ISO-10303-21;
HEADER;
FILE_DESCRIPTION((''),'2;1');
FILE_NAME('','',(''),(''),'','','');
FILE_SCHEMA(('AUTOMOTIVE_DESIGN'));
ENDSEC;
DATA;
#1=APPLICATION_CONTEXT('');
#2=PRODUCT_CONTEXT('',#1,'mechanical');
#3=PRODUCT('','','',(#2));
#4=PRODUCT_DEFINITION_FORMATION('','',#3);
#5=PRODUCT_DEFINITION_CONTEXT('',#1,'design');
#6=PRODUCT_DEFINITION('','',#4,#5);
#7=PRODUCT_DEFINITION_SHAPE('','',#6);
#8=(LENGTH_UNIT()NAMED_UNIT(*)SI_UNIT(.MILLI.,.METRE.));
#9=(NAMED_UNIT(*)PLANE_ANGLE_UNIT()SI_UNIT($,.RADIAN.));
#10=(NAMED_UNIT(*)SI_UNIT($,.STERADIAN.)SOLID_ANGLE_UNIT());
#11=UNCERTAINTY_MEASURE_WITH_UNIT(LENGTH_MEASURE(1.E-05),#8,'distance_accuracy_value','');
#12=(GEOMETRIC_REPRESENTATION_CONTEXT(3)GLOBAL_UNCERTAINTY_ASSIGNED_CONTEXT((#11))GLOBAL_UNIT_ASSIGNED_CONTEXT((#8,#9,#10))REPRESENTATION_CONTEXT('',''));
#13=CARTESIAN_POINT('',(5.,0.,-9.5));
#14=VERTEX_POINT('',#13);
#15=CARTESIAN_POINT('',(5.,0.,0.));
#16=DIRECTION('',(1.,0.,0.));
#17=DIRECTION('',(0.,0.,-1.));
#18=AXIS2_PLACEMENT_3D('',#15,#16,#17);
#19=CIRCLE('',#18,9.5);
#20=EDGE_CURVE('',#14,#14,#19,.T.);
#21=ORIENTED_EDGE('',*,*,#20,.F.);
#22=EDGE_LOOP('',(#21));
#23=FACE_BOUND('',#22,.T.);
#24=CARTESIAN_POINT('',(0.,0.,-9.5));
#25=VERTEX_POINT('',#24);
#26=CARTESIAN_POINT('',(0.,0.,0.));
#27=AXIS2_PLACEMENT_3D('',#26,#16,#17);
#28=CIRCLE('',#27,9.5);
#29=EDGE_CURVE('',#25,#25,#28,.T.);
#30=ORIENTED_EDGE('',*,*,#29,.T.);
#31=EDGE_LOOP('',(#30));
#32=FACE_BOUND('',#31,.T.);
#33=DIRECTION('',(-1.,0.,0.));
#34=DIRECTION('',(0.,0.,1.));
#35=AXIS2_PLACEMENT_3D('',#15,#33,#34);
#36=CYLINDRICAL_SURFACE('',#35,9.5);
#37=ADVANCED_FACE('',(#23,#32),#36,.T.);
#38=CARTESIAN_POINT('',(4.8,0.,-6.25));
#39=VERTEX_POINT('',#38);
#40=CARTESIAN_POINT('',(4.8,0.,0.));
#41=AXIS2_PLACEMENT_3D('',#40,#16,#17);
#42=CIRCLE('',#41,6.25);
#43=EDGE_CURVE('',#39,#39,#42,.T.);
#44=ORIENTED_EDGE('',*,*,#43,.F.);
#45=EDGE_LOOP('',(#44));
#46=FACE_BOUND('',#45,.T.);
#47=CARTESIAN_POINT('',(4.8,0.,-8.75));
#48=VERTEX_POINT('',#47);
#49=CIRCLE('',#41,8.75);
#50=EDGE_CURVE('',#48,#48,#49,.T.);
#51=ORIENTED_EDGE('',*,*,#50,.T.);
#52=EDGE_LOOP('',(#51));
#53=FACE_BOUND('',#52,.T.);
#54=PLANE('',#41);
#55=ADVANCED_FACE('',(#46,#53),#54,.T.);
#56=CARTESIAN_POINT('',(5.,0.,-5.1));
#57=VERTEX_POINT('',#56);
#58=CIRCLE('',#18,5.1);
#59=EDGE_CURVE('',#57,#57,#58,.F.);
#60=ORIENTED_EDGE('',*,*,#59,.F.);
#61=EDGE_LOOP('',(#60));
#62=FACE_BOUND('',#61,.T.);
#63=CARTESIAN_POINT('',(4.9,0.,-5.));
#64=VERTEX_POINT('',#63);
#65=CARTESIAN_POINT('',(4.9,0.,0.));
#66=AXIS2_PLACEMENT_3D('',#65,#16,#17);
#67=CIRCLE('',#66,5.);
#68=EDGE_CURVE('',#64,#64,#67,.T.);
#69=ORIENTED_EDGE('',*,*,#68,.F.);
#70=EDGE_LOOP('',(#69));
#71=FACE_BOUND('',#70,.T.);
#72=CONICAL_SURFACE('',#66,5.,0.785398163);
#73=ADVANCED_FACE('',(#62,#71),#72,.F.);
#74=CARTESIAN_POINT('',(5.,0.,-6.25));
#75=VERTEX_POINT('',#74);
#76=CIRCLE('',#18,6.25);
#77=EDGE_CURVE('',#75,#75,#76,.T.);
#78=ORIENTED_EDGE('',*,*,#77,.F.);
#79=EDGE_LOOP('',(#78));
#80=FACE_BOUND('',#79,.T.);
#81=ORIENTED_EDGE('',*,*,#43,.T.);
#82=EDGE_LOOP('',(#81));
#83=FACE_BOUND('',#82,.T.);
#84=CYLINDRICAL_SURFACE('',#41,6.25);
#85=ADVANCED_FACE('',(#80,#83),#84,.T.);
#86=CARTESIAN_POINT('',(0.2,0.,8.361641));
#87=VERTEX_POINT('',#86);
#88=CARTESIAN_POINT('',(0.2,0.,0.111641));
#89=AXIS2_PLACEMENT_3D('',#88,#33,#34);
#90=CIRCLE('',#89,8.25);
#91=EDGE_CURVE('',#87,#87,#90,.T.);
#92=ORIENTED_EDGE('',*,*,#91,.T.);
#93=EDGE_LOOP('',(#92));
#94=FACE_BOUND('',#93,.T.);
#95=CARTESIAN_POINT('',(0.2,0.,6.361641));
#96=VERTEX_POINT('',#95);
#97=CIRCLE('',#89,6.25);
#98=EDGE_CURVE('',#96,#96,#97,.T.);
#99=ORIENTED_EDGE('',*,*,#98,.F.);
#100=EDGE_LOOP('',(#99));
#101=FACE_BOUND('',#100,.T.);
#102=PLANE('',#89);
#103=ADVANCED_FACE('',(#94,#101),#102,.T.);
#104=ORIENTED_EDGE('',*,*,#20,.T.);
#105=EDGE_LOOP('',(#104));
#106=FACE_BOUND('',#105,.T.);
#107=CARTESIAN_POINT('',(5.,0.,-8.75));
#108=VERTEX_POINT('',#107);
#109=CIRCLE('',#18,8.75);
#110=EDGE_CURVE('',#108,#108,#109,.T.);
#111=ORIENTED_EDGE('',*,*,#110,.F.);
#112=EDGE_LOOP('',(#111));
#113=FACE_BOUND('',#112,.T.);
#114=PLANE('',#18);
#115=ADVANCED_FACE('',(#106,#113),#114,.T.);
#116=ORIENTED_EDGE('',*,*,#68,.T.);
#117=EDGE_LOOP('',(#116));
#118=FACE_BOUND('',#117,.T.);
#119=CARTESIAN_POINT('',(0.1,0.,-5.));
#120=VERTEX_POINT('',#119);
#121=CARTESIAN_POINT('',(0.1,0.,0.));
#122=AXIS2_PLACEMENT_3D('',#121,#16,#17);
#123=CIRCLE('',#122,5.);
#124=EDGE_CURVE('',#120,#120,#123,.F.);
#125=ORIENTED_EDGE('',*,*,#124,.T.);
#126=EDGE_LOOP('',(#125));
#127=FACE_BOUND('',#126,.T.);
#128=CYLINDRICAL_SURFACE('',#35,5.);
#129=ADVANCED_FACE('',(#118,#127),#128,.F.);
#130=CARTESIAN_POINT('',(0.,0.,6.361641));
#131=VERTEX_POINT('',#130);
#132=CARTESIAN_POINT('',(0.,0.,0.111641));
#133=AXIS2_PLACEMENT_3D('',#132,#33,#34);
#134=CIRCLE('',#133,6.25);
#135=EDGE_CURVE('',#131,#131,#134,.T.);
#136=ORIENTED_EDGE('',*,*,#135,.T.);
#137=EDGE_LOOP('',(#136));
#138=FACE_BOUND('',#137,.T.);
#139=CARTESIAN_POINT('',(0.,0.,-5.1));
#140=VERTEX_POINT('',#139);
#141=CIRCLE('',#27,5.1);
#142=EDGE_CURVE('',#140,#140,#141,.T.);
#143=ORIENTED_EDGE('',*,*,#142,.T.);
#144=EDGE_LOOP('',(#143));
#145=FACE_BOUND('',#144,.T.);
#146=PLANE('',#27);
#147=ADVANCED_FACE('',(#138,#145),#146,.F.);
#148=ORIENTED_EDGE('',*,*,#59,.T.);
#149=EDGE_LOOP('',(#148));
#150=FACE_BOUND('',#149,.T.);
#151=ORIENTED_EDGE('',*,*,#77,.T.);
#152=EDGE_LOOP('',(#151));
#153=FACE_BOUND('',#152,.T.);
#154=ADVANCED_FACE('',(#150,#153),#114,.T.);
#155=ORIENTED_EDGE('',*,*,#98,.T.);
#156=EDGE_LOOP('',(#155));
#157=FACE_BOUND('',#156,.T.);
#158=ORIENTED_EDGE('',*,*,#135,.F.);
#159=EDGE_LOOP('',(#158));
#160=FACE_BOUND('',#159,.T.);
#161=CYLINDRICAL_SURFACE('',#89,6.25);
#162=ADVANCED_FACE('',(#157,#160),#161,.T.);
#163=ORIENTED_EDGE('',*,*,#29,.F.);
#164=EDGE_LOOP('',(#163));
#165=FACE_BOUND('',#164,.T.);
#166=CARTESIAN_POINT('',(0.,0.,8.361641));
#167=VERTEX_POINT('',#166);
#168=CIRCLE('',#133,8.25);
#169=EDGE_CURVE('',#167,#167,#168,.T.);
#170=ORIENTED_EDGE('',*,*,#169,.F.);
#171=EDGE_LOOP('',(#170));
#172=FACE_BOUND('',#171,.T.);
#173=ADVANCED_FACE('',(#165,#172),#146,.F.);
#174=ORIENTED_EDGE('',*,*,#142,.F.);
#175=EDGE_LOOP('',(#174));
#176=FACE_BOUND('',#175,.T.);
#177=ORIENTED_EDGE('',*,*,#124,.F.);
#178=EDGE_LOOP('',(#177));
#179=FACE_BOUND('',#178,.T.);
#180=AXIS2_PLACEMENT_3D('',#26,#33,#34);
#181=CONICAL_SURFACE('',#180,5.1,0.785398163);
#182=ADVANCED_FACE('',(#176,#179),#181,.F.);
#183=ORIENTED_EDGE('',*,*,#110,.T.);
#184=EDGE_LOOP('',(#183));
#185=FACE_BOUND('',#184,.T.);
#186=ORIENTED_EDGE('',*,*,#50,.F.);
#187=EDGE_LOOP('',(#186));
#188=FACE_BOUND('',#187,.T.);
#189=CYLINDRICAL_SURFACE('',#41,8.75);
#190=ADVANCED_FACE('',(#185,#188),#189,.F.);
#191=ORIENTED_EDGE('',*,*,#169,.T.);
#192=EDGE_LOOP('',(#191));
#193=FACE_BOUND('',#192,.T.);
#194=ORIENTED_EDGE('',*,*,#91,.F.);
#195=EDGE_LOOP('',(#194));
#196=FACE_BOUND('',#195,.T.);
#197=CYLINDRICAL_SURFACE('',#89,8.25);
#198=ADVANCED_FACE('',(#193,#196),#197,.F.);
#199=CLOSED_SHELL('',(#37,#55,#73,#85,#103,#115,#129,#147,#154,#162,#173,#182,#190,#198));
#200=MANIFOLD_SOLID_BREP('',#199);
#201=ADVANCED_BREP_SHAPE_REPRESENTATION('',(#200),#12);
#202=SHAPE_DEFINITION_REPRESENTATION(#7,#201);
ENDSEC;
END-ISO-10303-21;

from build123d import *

# Parameters (mm, degrees)
SKETCH_1_R          = 9.5
SKETCH_1_R_2        = 5
EXTRUDE_1_DEPTH     = 5
SKETCH_2_R          = 8.25
SKETCH_2_R_2        = 6.25
CUT_EXTRUDE_1_DEPTH = 0.2
SKETCH_3_R          = 8.75
SKETCH_3_R_2        = 6.25
CUT_EXTRUDE_2_DEPTH = 0.2
CHAMFER_2_SIZE      = 0.1


with BuildPart() as part:
    # 草图1 → 凸台-拉伸1 (new body)
    with BuildSketch(Plane(origin=(0, 0, 0), x_dir=(0, 0, -1), z_dir=(1, 0, 0))):
        Circle(SKETCH_1_R)
        Circle(SKETCH_1_R_2, mode=Mode.SUBTRACT)
    extrude(amount=EXTRUDE_1_DEPTH)

    # 草图2 → 切除-拉伸1 (cut)
    with BuildSketch(Plane.ZY):
        with Locations((0.111641095, 0)):
            Circle(SKETCH_2_R)
        with Locations((0.111641095, 0)):
            Circle(SKETCH_2_R_2, mode=Mode.SUBTRACT)
    extrude(amount=-CUT_EXTRUDE_1_DEPTH, mode=Mode.SUBTRACT)

    # 草图3 → 切除-拉伸2 (cut)
    with BuildSketch(Plane(origin=(5, 0, 0), x_dir=(0, 0, -1), z_dir=(1, 0, 0))):
        Circle(SKETCH_3_R)
        Circle(SKETCH_3_R_2, mode=Mode.SUBTRACT)
    extrude(amount=-CUT_EXTRUDE_2_DEPTH, mode=Mode.SUBTRACT)

    # 倒角2
    chamfer_2_edges = [part.edges().sort_by_distance(p)[0] for p in [
        (0, 0, 5),
        (5, 0, 5),
    ]]
    chamfer(chamfer_2_edges, length=CHAMFER_2_SIZE)


solid = part.part
